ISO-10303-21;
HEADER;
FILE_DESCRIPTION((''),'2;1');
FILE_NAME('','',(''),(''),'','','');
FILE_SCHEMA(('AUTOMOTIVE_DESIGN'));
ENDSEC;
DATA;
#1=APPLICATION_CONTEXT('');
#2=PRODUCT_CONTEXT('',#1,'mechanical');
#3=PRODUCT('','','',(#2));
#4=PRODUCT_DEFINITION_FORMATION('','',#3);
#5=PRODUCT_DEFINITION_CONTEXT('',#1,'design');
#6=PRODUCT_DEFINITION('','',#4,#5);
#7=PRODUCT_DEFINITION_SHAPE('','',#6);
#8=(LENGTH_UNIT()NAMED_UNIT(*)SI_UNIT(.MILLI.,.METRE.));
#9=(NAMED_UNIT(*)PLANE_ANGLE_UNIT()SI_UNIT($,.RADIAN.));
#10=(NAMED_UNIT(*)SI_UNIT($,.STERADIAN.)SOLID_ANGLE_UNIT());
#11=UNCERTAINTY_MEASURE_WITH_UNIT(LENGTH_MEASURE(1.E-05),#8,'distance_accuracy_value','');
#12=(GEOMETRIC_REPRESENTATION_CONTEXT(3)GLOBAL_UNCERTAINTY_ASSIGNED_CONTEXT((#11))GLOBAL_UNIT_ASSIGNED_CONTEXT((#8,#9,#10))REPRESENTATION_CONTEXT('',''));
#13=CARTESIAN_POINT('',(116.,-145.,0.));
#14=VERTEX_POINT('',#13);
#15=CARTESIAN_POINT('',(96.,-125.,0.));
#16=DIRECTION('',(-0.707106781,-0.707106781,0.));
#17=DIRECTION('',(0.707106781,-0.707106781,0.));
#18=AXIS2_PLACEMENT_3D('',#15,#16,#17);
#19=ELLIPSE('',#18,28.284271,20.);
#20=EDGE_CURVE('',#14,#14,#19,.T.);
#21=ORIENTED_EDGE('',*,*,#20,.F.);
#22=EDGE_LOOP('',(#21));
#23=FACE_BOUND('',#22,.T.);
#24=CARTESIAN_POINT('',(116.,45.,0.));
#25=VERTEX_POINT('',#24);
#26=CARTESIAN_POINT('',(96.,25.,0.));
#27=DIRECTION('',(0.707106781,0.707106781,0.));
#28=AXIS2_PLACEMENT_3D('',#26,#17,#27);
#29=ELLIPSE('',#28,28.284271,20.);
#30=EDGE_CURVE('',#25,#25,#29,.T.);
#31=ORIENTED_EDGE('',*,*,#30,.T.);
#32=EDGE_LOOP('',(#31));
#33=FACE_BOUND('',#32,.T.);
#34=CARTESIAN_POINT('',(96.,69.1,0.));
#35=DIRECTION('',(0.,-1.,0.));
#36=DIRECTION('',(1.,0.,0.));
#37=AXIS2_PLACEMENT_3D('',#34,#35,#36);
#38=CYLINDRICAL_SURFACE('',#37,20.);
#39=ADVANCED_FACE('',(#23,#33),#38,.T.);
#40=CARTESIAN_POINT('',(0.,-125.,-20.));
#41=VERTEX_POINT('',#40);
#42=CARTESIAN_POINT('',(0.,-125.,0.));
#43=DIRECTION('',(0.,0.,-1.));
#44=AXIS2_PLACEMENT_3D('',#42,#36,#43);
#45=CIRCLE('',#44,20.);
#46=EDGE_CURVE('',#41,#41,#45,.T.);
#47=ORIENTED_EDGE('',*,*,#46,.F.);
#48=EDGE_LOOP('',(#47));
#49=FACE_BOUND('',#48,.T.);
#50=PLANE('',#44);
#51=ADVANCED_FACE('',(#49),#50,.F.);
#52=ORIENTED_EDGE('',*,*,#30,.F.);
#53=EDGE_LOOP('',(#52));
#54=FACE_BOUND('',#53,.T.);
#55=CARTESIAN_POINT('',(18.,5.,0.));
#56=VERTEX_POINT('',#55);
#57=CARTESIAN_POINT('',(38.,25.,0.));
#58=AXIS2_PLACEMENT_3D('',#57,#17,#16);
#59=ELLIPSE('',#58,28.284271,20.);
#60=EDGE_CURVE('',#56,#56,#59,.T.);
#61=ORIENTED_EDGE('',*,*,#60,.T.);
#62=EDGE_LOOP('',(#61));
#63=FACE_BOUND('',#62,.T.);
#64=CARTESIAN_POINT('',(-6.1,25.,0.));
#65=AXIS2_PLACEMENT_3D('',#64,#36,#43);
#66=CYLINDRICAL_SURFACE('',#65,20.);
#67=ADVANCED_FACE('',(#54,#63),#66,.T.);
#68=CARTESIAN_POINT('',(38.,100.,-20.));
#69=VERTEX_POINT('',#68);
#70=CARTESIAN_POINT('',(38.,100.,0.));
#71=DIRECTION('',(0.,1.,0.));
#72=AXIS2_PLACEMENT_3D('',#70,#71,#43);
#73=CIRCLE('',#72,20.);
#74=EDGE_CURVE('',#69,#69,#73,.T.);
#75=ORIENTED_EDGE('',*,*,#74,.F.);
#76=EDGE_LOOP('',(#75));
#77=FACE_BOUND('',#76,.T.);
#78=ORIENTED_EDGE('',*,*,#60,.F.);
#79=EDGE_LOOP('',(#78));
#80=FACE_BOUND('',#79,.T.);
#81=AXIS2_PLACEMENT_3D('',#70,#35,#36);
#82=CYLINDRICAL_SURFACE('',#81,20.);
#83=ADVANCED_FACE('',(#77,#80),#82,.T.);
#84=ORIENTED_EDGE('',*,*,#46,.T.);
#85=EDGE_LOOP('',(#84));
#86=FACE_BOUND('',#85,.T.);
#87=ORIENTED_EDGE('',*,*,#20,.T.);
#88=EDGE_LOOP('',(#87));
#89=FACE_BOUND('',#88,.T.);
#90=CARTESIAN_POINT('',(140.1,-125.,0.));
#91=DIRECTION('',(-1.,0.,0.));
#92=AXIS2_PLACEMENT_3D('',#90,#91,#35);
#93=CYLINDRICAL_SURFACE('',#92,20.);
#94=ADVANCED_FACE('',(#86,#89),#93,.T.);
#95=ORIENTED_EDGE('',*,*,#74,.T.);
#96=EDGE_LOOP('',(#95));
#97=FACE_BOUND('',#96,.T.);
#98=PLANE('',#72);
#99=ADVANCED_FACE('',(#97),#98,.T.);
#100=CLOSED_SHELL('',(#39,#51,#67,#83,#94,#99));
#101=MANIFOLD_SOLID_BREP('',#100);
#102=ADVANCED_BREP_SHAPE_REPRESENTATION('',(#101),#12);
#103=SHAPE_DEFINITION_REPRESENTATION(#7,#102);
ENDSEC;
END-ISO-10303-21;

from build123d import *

# Parameters (mm, degrees)
SKETCH2_R = 20


with BuildPart() as part:
    # Sweep3: sweep along a path in Sketch1
    with BuildLine(Plane.XY) as sweep3_path:
        Line((38, 100), (38, 25))
        Line((38, 25), (96, 25))
        Line((96, 25), (96, -125))
        Line((96, -125), (0, -125))
    # Sketch2 → Sweep3 (sweep)
    with BuildSketch(Plane(origin=(0, 0, 0), x_dir=(0, 0, -1), z_dir=(1, 0, 0))):
        with Locations((0, -125)):
            Circle(SKETCH2_R)
    sweep(path=sweep3_path.line, transition=Transition.RIGHT)


solid = part.part
